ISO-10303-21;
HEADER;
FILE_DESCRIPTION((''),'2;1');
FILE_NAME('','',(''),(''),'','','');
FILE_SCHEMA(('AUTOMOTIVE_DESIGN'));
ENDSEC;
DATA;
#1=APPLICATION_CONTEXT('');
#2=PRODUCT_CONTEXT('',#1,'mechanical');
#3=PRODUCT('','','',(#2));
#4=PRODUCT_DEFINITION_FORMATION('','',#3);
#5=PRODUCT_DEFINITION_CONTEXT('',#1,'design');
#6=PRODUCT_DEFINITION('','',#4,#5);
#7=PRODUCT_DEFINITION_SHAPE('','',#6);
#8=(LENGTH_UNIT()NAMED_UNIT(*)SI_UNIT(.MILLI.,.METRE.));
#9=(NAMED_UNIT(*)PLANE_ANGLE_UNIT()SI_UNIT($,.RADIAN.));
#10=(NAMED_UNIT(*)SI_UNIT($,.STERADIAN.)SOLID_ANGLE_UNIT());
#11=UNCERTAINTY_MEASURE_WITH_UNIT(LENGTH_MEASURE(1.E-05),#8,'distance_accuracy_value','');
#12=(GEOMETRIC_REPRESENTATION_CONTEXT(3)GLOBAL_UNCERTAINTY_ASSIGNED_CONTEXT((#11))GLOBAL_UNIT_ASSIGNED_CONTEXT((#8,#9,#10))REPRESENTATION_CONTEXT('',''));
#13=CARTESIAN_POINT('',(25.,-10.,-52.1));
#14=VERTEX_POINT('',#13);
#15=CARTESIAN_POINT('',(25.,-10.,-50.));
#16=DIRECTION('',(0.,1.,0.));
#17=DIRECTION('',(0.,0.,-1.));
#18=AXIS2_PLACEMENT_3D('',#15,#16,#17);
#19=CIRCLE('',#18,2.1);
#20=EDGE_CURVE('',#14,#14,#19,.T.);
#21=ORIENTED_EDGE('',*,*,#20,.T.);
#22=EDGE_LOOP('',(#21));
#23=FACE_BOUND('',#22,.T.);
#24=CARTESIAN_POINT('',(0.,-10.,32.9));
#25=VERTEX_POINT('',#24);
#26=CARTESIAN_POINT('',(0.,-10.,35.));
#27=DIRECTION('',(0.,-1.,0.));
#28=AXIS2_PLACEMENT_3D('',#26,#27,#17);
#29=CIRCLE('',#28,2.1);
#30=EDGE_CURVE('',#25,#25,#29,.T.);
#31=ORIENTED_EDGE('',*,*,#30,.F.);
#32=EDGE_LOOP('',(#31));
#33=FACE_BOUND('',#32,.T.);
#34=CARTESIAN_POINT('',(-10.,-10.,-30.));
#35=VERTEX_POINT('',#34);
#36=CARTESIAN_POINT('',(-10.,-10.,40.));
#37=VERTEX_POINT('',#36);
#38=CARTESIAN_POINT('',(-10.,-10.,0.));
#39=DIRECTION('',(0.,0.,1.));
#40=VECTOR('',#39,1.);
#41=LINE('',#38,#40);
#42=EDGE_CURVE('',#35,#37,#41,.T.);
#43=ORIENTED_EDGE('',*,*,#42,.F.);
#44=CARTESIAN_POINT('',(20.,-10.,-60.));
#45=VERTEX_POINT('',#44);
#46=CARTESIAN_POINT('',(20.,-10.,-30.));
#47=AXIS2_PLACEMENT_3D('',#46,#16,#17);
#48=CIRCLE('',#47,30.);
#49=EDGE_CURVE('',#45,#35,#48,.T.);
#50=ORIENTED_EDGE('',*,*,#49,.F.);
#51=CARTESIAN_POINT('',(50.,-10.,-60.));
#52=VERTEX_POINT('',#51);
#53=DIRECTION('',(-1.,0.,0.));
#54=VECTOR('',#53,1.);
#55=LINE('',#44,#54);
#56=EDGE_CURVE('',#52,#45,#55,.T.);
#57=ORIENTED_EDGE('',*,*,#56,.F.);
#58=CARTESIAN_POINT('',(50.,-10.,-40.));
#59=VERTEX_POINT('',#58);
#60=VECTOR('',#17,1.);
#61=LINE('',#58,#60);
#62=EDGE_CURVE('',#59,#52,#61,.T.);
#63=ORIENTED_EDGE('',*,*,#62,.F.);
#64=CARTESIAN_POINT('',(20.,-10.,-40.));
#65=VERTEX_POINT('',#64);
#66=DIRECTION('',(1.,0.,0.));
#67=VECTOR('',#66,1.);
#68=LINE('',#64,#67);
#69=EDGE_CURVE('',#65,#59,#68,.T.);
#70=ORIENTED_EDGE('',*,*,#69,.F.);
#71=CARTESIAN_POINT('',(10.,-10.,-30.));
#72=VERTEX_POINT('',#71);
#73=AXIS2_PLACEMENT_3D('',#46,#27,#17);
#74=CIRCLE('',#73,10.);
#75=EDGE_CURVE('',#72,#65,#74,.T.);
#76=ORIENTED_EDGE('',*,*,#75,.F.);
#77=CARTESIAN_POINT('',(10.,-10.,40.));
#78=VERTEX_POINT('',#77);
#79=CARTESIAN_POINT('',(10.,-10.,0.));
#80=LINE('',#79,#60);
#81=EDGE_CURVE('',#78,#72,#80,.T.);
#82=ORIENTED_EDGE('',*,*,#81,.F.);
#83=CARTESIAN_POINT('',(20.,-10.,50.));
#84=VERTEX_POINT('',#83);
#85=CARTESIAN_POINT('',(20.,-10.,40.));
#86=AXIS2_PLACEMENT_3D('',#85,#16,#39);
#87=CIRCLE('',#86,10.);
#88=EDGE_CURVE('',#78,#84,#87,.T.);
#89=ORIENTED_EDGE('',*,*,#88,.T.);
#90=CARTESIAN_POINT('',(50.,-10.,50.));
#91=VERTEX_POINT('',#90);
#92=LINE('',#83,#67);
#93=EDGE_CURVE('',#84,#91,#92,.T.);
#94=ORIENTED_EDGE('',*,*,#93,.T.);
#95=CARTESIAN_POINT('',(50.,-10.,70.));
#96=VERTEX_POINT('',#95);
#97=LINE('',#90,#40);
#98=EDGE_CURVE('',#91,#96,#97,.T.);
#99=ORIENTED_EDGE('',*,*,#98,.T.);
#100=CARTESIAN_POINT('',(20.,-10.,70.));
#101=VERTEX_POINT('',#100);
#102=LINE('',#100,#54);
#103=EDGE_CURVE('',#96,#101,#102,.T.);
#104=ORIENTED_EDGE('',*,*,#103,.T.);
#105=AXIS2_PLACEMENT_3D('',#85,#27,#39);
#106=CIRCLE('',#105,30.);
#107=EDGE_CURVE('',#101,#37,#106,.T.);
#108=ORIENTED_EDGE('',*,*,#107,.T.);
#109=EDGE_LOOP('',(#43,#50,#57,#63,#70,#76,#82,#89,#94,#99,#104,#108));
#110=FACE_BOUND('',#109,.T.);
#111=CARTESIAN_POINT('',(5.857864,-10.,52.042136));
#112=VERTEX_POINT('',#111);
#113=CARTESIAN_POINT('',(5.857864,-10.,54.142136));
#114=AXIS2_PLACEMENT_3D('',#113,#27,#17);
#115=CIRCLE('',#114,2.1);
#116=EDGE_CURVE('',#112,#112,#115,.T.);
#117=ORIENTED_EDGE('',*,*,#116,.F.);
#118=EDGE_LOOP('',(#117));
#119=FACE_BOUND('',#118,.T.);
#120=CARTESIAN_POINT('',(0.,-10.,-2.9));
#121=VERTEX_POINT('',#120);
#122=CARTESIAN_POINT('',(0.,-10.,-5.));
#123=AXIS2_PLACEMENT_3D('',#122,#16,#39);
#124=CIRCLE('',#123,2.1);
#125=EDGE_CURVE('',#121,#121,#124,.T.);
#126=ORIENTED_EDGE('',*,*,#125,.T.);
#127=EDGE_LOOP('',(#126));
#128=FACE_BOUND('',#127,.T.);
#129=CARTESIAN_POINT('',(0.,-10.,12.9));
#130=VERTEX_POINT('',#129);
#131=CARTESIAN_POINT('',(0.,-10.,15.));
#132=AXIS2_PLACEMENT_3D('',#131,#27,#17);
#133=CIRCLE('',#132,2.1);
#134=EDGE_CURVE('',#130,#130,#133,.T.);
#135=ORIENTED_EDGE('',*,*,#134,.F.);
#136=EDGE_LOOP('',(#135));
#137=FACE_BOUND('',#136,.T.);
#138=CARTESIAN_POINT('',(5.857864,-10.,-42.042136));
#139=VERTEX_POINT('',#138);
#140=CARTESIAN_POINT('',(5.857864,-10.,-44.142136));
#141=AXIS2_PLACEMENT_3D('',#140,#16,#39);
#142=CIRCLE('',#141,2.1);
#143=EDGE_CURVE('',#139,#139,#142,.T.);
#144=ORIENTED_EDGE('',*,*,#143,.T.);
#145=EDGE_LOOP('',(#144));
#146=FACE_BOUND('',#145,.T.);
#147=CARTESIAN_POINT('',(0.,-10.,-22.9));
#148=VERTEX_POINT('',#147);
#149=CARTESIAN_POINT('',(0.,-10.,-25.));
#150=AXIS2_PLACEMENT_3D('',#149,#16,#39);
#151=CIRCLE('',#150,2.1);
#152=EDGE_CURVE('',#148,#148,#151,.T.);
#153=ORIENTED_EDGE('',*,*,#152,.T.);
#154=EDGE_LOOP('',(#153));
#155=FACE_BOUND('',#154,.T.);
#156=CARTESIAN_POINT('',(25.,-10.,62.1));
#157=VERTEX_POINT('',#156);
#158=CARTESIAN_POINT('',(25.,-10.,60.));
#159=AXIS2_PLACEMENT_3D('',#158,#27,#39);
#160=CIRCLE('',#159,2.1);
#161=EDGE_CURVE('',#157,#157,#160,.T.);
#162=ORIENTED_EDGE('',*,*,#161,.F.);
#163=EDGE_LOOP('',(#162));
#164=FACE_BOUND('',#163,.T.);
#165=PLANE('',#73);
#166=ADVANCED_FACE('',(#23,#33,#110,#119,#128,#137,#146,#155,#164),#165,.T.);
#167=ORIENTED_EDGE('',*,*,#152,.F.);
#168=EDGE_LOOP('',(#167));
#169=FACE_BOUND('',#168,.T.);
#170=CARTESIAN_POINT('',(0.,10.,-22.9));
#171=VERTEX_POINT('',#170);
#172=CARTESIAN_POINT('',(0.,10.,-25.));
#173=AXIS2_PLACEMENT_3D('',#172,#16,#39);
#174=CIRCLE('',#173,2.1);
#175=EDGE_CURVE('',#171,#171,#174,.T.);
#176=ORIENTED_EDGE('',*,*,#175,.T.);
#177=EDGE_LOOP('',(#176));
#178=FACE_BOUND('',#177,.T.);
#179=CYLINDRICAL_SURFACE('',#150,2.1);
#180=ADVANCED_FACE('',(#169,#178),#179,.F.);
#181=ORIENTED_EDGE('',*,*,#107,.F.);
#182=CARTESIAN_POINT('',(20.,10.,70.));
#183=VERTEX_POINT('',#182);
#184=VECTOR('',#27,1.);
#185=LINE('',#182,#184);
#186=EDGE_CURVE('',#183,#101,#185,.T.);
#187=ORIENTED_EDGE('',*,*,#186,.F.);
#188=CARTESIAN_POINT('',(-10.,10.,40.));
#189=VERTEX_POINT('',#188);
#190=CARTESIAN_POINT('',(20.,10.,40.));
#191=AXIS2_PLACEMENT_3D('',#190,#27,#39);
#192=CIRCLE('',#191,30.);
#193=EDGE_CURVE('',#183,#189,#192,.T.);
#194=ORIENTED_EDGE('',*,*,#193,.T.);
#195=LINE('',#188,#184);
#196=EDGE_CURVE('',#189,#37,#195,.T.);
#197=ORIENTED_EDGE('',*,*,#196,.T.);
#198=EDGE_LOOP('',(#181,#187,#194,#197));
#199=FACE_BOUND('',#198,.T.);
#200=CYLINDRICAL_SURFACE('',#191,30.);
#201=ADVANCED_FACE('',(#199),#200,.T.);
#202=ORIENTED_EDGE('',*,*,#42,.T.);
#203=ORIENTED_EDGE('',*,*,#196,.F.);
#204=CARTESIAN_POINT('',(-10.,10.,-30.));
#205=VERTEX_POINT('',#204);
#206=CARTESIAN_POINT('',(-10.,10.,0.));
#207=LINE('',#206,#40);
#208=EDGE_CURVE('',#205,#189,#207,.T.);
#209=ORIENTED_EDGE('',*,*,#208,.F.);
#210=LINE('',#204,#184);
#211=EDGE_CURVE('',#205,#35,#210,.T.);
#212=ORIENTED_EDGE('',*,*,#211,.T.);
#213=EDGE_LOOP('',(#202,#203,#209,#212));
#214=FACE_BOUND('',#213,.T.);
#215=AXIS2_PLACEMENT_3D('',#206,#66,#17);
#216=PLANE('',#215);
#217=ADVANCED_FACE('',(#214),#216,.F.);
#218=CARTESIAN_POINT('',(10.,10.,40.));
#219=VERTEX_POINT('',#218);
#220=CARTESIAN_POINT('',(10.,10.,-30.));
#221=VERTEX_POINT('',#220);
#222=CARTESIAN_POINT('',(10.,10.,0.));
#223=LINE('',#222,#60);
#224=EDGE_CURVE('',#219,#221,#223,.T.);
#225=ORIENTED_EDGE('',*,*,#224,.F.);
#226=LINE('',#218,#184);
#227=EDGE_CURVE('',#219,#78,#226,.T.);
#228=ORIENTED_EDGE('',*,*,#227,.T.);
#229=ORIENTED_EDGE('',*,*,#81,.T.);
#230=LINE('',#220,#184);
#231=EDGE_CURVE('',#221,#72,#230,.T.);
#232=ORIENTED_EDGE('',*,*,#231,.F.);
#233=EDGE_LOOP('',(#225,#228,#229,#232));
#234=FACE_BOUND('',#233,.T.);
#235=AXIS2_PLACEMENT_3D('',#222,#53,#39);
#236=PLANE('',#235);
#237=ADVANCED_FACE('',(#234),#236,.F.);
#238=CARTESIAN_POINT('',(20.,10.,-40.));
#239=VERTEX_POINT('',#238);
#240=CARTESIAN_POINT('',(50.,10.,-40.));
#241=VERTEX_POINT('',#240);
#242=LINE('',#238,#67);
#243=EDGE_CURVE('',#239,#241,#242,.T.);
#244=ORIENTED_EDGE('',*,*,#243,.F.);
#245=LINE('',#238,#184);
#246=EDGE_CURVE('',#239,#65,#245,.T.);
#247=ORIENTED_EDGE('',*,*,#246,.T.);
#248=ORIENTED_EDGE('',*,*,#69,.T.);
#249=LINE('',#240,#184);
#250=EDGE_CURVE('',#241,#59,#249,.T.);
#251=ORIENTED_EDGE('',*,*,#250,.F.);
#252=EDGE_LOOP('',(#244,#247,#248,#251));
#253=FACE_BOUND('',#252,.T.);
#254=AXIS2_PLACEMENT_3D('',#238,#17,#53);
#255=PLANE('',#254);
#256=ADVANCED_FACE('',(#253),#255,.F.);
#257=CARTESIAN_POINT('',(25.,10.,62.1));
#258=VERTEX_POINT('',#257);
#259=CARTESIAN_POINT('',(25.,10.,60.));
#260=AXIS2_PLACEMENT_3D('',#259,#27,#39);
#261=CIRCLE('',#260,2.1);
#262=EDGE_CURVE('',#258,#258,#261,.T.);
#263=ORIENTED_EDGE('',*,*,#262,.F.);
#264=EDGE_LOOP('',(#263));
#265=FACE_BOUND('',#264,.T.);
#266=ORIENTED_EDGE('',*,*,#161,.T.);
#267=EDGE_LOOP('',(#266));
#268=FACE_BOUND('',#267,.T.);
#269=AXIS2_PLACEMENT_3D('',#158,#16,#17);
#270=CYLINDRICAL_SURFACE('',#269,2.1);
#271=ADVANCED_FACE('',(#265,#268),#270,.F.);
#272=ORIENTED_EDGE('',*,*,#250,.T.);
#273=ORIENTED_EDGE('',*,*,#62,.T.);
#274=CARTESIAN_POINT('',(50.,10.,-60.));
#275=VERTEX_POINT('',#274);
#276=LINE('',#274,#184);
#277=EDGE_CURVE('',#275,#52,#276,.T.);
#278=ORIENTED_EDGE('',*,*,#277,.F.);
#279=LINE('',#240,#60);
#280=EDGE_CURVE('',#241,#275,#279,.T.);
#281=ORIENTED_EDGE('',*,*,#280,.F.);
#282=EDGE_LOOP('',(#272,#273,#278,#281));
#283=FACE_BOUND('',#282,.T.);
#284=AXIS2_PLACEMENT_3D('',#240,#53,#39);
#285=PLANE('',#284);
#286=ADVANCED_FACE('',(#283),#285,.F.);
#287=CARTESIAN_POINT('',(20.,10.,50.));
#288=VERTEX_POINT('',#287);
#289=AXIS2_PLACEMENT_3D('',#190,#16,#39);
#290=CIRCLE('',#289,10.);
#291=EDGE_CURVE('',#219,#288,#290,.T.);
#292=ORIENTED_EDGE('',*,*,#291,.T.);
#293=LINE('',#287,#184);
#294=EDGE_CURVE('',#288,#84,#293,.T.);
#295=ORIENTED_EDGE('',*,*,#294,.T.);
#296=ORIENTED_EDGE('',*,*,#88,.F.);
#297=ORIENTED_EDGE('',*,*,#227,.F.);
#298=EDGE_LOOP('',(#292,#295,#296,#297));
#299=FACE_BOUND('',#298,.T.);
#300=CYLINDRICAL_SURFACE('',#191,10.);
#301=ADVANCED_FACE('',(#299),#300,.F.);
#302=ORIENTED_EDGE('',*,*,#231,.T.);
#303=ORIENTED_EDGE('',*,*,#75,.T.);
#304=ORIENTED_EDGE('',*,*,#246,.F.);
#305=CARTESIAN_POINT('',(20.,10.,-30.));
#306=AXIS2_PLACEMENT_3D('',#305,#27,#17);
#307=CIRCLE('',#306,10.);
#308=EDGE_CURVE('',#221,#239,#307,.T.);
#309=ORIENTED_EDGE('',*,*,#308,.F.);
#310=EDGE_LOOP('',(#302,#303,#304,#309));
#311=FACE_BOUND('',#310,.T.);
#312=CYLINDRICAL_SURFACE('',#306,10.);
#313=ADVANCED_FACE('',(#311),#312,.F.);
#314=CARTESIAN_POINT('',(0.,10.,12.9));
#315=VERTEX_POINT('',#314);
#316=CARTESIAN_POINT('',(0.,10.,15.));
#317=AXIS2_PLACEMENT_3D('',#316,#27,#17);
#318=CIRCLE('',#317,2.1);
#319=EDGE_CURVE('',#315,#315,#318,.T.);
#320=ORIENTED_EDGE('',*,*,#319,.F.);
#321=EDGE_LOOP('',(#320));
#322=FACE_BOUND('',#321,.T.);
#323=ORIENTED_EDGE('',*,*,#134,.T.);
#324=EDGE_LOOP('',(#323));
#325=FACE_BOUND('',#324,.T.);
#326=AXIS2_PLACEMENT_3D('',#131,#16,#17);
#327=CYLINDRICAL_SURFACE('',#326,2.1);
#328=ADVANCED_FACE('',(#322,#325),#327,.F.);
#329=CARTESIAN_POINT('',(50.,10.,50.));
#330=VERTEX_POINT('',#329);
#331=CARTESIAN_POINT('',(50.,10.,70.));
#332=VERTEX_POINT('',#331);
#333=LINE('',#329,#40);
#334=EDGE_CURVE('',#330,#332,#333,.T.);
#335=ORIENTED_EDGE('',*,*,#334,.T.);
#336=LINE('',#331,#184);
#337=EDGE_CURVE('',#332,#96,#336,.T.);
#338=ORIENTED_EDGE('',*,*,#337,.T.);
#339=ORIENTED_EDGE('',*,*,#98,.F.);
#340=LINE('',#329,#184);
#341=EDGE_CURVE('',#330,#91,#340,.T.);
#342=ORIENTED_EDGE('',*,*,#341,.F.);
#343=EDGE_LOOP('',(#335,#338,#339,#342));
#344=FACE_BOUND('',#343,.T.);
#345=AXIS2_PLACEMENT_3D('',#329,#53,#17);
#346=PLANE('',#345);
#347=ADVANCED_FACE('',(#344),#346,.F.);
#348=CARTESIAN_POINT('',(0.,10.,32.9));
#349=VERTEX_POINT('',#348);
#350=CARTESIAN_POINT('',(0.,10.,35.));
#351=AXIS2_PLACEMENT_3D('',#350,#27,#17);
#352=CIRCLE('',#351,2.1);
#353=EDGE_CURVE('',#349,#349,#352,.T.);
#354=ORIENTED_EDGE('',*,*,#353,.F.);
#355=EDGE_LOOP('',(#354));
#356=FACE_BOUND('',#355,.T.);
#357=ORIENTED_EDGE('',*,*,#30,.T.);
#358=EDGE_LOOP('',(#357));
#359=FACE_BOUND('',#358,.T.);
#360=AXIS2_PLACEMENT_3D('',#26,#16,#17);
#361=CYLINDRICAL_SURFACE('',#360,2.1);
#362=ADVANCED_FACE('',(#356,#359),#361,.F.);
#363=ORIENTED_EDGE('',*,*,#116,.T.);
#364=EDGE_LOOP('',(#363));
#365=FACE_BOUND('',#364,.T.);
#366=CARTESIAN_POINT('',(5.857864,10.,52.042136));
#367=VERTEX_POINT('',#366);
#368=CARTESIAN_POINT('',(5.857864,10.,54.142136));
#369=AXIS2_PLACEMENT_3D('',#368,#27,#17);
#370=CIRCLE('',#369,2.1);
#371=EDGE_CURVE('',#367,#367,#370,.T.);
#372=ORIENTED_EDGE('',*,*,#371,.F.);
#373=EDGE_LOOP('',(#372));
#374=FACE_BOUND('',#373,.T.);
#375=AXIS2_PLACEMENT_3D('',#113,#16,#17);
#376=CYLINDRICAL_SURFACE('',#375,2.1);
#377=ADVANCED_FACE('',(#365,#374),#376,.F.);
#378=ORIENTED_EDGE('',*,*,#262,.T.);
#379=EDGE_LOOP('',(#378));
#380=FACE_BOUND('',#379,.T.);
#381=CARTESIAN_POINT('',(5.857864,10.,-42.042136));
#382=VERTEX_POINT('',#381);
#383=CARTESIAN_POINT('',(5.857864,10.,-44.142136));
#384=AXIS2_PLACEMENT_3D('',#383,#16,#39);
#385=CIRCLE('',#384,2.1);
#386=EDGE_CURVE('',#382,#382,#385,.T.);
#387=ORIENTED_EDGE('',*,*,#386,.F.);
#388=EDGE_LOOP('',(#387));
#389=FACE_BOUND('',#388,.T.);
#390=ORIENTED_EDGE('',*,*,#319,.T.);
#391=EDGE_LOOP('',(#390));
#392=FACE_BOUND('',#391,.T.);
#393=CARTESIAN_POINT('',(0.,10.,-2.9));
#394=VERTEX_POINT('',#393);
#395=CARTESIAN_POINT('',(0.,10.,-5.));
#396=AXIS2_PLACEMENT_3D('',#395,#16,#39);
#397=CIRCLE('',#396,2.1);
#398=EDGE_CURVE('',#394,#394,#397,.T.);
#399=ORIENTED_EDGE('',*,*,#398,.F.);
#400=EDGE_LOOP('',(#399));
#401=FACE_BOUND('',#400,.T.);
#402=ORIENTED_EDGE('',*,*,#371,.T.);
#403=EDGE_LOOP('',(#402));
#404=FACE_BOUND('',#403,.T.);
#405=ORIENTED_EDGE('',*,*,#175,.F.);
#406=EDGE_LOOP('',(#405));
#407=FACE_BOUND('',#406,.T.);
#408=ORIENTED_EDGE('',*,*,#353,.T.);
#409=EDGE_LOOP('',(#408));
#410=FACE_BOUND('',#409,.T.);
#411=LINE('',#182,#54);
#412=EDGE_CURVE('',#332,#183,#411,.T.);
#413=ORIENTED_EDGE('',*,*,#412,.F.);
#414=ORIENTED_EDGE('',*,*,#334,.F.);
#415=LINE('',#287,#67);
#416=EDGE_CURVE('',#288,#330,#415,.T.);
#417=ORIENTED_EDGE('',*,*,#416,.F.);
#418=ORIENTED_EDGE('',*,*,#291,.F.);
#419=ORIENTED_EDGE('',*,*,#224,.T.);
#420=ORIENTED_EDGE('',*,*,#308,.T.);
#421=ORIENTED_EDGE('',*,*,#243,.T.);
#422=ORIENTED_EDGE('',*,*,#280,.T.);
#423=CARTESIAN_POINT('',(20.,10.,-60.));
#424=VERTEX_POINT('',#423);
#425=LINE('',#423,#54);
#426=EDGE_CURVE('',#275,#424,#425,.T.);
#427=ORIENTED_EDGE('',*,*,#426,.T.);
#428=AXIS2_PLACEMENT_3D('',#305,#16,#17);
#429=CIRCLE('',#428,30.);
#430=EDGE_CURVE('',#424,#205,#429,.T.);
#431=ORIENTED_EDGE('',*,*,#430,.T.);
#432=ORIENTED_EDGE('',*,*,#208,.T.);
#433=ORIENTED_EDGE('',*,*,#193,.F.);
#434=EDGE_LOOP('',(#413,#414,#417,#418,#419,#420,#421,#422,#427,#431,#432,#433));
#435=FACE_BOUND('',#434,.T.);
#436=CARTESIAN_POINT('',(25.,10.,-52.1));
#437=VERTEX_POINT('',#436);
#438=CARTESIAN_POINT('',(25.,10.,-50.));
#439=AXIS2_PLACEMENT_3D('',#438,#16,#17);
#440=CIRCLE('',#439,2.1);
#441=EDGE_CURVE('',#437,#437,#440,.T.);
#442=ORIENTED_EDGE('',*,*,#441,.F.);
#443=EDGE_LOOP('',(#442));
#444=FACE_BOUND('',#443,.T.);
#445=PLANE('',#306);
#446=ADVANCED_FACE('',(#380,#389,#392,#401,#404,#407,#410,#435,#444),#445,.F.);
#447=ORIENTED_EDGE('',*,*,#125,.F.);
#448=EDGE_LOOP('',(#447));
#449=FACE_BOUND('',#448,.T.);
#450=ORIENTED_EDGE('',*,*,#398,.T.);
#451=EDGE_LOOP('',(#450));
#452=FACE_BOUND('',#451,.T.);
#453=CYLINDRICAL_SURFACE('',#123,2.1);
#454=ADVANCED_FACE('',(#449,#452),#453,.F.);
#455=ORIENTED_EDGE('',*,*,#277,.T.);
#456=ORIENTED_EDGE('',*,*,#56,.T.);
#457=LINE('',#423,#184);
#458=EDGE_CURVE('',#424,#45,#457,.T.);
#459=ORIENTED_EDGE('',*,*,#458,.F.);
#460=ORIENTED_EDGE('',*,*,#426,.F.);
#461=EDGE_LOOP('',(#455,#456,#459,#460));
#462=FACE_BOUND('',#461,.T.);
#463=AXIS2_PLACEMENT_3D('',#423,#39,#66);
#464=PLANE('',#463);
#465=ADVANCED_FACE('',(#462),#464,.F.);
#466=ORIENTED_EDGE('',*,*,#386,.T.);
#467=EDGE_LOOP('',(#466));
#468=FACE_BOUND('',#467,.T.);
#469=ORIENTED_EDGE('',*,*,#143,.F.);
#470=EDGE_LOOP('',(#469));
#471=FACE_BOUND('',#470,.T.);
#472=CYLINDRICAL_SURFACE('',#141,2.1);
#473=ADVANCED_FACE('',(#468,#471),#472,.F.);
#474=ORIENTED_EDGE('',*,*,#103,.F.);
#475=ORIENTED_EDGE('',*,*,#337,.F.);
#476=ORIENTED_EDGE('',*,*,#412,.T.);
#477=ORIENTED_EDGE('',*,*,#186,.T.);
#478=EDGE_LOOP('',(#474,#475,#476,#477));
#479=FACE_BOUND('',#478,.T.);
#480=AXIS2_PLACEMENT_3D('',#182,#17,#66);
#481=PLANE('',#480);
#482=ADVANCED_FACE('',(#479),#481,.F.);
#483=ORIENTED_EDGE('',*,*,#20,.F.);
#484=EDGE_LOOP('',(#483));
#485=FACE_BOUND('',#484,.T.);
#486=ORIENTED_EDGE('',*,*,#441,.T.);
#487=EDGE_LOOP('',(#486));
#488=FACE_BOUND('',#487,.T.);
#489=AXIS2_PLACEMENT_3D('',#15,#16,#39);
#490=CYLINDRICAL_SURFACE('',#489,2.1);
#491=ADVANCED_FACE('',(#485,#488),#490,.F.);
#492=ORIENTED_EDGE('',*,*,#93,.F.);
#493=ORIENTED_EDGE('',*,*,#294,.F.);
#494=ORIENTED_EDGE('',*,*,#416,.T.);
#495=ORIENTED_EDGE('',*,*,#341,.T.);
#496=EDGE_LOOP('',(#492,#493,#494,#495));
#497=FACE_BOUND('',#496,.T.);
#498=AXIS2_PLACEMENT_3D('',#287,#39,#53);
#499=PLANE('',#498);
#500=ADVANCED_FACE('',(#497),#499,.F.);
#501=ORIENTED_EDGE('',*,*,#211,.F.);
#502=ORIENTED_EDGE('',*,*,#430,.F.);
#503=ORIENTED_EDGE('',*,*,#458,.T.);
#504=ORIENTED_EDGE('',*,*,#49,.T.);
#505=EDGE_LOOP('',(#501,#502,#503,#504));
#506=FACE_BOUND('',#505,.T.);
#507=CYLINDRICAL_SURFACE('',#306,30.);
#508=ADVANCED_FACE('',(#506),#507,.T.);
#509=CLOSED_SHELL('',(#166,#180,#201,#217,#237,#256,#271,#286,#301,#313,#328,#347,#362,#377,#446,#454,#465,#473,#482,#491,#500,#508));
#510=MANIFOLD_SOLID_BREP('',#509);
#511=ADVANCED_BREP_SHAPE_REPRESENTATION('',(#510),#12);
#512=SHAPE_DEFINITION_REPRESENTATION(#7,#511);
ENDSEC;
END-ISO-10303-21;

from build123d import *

# Parameters (mm, degrees)
BOSS_EXTRUDE1_DEPTH = 10
SKETCH3_W           = 20
SKETCH3_H           = 5
BOSS_EXTRUDE2_DEPTH = 20
SKETCH2_R           = 2.1
CUT_EXTRUDE1_DEPTH  = 81.622577483


with BuildPart() as part:
    # Sketch1 → Boss-Extrude1 (new, symmetric)
    with BuildSketch(Plane(origin=(0, 0, 0), x_dir=(1, 0, 0), z_dir=(0, 1, 0))):
        with BuildLine():
            Line((10, 0), (10, 30))
            ThreePointArc((10, 30), (12.928932188, 37.071067812), (20, 40))
            Line((20, 40), (50, 40))
            Line((50, 40), (50, 60))
            Line((50, 60), (20, 60))
            ThreePointArc((20, 60), (-1.213203436, 51.213203436), (-10, 30))
            Line((-10, 30), (-10, 0))
            Line((-10, 0), (10, 0))
        make_face()
    extrude(amount=BOSS_EXTRUDE1_DEPTH, both=True)

    # Sketch3 → Boss-Extrude2 (add)
    with BuildSketch(Plane(origin=(0, 10, 0), x_dir=(1, 0, 0), z_dir=(0, 1, 0))):
        with Locations((0, -2.5)):
            Rectangle(SKETCH3_W, SKETCH3_H)
    extrude(amount=-BOSS_EXTRUDE2_DEPTH)

    # Sketch2 → Cut-Extrude1 (cut, through all)
    with BuildSketch(Plane(origin=(0, 10, 0), x_dir=(1, 0, 0), z_dir=(0, 1, 0))):
        with Locations(Location((5.857864376, 44.142135624, 0), (0, 0, 270))):
            Circle(SKETCH2_R)
        with Locations(Location((0, 25, 0), (0, 0, 270))):
            Circle(SKETCH2_R)
        with Locations(Location((25, 50, 0), (0, 0, 90))):
            Circle(SKETCH2_R)
        with Locations(Location((0, 5, 0), (0, 0, 270))):
            Circle(SKETCH2_R)
    extrude(amount=-CUT_EXTRUDE1_DEPTH, mode=Mode.SUBTRACT)

    # Mirror1: part across plane


with BuildPart() as part_1:
    add(part.part)
    add(part.part.mirror(Plane(origin=(10, -30.615528128, 5), x_dir=(1, 0, 0), z_dir=(0, 0, 1))))


solid = part_1.part
